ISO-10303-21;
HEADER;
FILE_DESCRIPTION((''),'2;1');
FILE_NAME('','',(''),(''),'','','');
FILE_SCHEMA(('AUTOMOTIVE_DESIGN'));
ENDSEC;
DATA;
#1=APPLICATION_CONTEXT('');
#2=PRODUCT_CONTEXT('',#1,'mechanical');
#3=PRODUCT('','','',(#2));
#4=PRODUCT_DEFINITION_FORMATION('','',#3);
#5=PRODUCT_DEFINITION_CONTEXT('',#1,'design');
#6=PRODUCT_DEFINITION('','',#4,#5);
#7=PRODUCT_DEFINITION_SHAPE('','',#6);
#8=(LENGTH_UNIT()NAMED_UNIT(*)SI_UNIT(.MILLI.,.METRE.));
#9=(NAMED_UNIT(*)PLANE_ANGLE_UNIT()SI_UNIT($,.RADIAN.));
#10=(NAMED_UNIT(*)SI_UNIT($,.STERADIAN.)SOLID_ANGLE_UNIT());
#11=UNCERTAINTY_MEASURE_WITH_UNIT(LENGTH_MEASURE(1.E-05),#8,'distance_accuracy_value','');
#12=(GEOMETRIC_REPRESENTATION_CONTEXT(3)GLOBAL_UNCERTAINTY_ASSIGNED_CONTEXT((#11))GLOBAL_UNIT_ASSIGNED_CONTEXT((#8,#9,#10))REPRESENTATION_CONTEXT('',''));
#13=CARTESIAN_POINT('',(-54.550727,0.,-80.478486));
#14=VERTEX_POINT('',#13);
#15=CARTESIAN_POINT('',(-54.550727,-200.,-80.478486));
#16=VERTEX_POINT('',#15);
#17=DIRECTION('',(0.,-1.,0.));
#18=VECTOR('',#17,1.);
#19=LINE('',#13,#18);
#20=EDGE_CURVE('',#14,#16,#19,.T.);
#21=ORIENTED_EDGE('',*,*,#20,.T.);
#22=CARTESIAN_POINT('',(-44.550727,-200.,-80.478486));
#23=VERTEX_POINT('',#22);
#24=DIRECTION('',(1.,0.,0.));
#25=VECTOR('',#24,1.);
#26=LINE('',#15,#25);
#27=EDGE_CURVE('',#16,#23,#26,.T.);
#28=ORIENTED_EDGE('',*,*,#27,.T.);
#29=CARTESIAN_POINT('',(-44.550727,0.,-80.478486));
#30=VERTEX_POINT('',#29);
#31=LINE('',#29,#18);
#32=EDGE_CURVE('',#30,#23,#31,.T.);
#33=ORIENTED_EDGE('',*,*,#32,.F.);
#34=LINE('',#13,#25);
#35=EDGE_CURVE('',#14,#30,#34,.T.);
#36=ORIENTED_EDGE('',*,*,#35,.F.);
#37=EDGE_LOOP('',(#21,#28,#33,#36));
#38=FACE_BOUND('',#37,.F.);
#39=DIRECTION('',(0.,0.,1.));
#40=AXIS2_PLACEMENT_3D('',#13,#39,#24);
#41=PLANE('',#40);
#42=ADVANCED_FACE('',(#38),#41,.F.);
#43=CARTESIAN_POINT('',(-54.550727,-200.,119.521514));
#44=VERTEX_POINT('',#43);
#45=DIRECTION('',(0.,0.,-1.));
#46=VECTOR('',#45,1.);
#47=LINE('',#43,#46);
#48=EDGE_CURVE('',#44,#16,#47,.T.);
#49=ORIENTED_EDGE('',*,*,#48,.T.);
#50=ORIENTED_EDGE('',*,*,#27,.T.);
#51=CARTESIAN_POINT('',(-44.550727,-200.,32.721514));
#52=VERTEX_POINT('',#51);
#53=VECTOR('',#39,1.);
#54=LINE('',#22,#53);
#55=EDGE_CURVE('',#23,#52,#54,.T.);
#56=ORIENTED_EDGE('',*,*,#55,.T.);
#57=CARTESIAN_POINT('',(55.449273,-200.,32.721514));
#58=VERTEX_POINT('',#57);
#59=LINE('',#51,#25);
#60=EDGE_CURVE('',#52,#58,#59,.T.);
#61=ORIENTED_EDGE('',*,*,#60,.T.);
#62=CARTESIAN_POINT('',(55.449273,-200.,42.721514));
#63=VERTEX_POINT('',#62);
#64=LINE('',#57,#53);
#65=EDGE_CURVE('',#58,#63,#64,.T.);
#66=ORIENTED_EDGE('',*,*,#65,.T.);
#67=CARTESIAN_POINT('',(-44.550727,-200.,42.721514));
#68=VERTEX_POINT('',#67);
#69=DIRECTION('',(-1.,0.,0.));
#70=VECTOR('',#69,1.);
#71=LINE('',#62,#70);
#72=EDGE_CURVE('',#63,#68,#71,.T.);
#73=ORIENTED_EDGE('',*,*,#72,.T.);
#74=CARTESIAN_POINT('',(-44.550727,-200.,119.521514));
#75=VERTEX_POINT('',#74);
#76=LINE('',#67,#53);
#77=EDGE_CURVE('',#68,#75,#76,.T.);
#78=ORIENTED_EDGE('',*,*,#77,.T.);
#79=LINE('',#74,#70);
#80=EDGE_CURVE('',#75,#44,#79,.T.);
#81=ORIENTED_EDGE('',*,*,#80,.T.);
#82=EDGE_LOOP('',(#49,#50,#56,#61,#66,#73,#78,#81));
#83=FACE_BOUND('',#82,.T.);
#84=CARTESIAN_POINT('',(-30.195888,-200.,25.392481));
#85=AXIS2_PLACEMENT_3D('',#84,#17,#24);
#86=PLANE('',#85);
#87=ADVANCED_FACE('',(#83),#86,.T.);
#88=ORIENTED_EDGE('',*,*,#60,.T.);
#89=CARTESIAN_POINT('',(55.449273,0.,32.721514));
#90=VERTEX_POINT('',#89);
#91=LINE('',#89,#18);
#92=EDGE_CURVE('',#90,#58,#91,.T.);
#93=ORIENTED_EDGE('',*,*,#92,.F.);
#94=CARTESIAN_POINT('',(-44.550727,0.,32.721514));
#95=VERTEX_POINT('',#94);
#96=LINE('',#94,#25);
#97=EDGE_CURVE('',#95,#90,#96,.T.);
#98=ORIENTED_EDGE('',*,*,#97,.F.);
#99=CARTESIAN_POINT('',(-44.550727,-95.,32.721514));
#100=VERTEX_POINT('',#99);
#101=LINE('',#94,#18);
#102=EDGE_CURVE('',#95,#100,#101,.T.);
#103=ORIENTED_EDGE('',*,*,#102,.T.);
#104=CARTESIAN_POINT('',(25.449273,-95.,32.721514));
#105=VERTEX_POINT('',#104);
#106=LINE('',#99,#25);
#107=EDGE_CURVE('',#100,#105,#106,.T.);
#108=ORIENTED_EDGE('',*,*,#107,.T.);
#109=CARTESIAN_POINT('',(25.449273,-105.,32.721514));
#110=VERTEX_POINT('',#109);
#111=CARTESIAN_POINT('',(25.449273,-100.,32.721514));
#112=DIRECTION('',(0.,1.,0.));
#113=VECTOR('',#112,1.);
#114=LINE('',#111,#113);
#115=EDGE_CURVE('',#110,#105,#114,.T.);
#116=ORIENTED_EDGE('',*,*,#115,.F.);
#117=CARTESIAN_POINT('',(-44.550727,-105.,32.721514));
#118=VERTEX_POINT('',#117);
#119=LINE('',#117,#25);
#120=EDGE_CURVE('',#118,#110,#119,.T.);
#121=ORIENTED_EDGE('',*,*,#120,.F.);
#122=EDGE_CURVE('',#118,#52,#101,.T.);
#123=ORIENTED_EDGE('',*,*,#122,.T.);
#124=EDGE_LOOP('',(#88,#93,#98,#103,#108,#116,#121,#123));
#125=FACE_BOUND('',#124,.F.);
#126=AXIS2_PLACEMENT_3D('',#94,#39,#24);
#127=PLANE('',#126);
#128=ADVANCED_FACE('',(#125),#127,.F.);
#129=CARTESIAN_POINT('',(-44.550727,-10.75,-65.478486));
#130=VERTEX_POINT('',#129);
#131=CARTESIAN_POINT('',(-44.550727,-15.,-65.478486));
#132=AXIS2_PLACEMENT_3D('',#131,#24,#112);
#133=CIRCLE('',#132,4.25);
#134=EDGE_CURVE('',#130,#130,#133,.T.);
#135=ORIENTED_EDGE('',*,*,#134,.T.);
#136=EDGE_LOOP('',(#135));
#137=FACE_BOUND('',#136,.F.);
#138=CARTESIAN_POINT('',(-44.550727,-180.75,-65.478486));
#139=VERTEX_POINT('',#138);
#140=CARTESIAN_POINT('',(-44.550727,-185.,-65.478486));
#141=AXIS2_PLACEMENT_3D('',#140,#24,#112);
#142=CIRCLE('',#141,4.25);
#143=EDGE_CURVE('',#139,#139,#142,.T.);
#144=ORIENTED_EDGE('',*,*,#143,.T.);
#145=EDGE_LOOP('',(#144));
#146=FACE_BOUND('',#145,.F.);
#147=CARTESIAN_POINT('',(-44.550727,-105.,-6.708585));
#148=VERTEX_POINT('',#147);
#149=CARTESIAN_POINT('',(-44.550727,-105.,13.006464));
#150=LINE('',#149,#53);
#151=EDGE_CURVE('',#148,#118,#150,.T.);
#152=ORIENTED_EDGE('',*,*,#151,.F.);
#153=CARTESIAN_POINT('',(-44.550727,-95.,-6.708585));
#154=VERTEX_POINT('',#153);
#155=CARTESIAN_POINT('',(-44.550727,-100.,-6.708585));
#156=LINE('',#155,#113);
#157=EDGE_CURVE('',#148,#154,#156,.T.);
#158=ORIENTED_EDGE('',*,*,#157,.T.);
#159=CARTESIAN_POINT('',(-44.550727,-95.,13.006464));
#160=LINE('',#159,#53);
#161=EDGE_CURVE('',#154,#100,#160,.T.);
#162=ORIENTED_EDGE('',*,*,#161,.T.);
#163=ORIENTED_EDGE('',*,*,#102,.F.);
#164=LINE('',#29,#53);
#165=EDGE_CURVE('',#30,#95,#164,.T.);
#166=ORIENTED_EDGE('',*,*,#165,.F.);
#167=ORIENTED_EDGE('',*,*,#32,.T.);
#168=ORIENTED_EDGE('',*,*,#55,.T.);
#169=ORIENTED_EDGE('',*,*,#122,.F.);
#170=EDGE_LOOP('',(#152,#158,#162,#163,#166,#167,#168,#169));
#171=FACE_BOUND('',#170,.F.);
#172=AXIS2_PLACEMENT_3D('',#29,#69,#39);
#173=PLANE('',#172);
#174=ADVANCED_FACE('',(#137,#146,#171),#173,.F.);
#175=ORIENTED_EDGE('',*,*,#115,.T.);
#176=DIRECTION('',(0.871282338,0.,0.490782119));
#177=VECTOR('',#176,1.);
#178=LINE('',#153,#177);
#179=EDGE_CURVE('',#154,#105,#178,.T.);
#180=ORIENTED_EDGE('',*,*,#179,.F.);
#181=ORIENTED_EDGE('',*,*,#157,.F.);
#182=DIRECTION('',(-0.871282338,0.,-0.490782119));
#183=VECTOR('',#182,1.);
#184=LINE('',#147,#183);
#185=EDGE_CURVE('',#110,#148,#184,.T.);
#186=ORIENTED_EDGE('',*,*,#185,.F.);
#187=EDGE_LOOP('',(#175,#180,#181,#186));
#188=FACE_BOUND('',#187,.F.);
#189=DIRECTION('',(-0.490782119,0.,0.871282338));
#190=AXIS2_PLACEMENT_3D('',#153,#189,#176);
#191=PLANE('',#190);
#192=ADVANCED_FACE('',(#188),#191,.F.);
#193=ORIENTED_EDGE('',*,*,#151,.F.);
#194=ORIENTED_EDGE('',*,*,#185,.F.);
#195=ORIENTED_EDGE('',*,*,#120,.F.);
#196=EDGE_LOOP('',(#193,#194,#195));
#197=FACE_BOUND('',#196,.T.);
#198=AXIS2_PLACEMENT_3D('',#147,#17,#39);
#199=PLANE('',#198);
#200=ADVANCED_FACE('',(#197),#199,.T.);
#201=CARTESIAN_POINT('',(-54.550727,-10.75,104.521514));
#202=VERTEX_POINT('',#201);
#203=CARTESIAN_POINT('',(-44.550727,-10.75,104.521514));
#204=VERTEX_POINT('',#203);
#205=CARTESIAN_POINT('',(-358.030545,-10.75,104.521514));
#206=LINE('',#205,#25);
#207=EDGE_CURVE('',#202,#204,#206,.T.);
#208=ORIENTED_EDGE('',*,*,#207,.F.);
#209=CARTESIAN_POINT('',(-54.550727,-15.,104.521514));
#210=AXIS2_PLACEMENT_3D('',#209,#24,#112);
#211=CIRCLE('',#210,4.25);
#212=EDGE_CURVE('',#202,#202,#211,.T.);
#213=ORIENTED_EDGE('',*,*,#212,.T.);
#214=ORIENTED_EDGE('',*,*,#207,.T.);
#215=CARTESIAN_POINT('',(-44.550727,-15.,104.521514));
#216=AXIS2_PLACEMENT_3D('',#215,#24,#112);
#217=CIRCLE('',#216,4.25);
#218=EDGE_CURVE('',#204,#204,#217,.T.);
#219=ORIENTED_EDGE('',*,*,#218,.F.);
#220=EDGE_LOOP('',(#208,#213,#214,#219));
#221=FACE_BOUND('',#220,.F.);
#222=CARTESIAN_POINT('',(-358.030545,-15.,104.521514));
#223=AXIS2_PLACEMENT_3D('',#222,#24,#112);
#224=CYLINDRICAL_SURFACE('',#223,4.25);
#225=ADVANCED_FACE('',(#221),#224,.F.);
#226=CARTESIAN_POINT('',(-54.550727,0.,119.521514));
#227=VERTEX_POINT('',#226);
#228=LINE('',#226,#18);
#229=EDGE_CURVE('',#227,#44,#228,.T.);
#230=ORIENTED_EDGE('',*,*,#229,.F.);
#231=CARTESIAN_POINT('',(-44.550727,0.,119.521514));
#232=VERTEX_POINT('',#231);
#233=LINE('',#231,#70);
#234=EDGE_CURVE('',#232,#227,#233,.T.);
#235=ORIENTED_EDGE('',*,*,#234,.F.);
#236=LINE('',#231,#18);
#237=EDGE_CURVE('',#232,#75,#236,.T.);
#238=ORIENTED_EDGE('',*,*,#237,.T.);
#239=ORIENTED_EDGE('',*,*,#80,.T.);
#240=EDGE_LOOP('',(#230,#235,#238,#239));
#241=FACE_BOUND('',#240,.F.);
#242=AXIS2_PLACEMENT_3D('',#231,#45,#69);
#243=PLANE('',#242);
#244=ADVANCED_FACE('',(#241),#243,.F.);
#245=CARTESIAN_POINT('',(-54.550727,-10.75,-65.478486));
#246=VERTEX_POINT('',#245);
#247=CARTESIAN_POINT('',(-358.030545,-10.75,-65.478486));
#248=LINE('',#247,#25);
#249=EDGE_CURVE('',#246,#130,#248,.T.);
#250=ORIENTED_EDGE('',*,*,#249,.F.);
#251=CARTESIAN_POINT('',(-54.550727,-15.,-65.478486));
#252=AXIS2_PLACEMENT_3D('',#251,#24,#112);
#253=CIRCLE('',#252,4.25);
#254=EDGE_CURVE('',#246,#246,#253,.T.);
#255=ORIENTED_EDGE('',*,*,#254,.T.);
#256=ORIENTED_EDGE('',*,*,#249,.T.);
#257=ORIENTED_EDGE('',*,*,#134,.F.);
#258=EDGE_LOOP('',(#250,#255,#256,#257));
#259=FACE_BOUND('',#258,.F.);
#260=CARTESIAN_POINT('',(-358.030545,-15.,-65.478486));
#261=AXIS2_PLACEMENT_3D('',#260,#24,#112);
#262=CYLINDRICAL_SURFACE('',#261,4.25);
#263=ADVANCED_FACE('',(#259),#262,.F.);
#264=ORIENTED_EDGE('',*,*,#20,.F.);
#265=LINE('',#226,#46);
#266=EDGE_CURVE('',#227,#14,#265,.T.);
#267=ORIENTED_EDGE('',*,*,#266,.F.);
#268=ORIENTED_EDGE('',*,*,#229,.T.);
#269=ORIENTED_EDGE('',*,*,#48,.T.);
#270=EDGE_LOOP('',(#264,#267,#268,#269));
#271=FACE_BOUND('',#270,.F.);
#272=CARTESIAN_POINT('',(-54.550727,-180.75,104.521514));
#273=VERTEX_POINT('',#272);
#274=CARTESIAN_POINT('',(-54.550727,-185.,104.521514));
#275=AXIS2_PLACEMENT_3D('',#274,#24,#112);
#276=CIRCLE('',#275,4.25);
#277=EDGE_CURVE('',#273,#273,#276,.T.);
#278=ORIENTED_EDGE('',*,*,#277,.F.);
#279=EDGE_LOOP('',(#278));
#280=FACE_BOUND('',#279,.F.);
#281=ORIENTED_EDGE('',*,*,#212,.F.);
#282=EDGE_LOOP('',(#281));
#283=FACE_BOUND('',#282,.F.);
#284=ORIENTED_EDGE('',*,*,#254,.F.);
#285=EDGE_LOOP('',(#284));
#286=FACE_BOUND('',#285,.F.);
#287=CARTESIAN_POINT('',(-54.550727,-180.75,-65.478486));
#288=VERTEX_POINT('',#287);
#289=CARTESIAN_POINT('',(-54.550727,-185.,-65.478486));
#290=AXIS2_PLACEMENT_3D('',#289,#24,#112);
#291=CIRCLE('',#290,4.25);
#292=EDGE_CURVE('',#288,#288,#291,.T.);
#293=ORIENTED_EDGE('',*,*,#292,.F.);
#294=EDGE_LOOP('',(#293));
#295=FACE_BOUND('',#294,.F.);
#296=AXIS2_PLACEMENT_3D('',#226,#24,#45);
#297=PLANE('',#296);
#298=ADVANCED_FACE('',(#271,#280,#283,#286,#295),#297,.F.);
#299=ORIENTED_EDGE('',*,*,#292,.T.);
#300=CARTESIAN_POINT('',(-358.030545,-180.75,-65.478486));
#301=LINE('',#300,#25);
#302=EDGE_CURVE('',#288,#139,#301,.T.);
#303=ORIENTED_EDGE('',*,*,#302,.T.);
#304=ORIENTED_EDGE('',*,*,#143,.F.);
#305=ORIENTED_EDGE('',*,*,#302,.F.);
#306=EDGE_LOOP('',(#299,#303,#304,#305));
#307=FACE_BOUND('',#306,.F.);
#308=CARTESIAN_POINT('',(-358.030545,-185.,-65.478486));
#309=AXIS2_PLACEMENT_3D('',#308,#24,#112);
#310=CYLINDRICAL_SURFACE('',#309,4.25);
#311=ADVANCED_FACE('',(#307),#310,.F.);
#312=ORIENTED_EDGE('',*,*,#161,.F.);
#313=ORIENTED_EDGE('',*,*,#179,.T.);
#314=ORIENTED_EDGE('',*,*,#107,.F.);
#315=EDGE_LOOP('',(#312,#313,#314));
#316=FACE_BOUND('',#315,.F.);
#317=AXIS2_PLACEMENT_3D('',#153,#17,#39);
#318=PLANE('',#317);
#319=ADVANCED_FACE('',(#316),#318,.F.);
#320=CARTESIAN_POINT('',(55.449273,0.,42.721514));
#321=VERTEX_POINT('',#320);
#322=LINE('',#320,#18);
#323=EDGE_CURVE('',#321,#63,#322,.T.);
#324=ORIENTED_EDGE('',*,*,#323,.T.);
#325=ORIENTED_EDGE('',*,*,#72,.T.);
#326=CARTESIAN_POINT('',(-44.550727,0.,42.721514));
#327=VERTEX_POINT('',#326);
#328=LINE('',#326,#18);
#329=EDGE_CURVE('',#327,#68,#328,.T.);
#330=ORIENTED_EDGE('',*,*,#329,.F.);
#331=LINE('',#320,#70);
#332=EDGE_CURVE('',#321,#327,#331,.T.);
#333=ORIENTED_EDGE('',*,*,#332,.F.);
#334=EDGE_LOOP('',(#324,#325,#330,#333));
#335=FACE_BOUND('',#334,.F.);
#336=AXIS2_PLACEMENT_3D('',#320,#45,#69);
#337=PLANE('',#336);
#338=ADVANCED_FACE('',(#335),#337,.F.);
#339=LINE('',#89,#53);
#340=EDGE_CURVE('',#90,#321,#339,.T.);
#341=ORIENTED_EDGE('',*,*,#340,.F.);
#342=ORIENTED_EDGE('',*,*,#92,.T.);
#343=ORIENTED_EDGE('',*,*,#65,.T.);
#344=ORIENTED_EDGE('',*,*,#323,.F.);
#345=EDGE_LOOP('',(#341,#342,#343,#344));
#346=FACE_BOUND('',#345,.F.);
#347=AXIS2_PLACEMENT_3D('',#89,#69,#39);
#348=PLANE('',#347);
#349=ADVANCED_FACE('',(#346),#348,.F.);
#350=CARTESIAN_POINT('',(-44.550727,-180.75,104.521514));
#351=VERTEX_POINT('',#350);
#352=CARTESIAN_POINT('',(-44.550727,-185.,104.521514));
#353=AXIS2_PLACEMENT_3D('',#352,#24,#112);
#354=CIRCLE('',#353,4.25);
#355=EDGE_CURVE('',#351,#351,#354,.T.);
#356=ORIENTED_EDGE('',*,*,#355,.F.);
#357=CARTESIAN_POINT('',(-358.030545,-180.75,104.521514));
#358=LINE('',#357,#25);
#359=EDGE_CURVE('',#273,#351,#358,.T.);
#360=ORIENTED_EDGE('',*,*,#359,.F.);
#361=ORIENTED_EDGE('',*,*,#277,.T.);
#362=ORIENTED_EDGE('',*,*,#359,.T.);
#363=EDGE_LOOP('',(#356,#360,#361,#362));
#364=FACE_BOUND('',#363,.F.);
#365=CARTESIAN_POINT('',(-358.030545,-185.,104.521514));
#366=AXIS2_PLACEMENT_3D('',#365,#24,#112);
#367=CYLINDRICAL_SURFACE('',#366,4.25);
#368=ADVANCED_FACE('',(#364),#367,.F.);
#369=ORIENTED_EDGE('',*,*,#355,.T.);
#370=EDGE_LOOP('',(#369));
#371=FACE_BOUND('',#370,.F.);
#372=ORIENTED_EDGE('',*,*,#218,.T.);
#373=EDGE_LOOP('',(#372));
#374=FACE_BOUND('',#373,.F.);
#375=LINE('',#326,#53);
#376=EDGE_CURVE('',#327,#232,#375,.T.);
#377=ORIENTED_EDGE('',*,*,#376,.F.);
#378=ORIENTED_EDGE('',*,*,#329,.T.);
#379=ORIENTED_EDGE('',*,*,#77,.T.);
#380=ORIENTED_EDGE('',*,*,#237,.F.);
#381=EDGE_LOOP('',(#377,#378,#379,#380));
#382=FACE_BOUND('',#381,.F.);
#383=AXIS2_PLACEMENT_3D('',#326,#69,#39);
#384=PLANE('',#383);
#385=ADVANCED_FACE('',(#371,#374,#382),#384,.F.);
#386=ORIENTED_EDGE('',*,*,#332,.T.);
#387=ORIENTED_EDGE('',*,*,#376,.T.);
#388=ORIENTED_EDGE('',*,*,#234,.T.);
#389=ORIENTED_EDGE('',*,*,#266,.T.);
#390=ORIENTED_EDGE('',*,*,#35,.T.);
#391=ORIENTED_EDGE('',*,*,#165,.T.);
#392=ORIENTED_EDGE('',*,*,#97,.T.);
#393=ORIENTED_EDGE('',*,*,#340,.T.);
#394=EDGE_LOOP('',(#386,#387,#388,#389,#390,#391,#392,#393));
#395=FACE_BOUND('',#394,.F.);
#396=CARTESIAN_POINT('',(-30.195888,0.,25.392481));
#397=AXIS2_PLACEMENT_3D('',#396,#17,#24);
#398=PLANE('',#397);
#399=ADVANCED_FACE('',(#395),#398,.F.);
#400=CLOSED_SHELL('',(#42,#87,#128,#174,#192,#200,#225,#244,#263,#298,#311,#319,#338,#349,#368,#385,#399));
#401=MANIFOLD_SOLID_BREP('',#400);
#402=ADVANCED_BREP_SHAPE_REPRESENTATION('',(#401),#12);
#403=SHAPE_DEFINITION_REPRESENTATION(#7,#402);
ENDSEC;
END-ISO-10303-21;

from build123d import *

# Parameters (mm, degrees)
F1_DEPTH = 200
F2_W     = 10
F2_H     = 39.4300983846
F3_DEPTH = 70
F5_DEPTH = 70
F7_D     = 8.5


with BuildPart() as f1:
    # F0 (on Front) → F1 (new body)
    with BuildSketch(Plane.XZ):
        Polygon((-44.5507265627, 119.5215136588), (-54.5507265627, 119.5215136588), (-54.5507265627, -80.4784863412), (-44.5507265627, -80.4784863412), (-44.5507265627, 32.7215136588), (55.4492734373, 32.7215136588), (55.4492734373, 42.7215136588), (-44.5507265627, 42.7215136588), align=None)
    extrude(amount=F1_DEPTH)

    # F2 (on face) → F3 (join)
    with BuildSketch(Plane.YZ.offset(-44.5507265627)):
        with Locations((-100, 13.0064644665)):
            Rectangle(F2_W, F2_H)
    extrude(amount=F3_DEPTH)

    # F4 (on face) → F5 (cut)
    with BuildSketch(Plane(origin=(0, -95, 0), x_dir=(-1, 0, 0), z_dir=(0, 1, 0))):
        Polygon((44.5507265627, -6.7085847259), (-25.4492734373, 32.7215136588), (-25.4492734373, -6.7085847259), align=None)
    extrude(amount=-F5_DEPTH, mode=Mode.SUBTRACT)

    # F7 (through all)
    with Locations(Plane(origin=(-54.5507265627, 0, 0), x_dir=(0, -1, 0), z_dir=(-1, 0, 0))):
        with Locations((185, 104.5215136588), (15, 104.5215136588), (15, -65.4784863412), (185, -65.4784863412)):
            Hole(F7_D / 2)


solid = f1.part
